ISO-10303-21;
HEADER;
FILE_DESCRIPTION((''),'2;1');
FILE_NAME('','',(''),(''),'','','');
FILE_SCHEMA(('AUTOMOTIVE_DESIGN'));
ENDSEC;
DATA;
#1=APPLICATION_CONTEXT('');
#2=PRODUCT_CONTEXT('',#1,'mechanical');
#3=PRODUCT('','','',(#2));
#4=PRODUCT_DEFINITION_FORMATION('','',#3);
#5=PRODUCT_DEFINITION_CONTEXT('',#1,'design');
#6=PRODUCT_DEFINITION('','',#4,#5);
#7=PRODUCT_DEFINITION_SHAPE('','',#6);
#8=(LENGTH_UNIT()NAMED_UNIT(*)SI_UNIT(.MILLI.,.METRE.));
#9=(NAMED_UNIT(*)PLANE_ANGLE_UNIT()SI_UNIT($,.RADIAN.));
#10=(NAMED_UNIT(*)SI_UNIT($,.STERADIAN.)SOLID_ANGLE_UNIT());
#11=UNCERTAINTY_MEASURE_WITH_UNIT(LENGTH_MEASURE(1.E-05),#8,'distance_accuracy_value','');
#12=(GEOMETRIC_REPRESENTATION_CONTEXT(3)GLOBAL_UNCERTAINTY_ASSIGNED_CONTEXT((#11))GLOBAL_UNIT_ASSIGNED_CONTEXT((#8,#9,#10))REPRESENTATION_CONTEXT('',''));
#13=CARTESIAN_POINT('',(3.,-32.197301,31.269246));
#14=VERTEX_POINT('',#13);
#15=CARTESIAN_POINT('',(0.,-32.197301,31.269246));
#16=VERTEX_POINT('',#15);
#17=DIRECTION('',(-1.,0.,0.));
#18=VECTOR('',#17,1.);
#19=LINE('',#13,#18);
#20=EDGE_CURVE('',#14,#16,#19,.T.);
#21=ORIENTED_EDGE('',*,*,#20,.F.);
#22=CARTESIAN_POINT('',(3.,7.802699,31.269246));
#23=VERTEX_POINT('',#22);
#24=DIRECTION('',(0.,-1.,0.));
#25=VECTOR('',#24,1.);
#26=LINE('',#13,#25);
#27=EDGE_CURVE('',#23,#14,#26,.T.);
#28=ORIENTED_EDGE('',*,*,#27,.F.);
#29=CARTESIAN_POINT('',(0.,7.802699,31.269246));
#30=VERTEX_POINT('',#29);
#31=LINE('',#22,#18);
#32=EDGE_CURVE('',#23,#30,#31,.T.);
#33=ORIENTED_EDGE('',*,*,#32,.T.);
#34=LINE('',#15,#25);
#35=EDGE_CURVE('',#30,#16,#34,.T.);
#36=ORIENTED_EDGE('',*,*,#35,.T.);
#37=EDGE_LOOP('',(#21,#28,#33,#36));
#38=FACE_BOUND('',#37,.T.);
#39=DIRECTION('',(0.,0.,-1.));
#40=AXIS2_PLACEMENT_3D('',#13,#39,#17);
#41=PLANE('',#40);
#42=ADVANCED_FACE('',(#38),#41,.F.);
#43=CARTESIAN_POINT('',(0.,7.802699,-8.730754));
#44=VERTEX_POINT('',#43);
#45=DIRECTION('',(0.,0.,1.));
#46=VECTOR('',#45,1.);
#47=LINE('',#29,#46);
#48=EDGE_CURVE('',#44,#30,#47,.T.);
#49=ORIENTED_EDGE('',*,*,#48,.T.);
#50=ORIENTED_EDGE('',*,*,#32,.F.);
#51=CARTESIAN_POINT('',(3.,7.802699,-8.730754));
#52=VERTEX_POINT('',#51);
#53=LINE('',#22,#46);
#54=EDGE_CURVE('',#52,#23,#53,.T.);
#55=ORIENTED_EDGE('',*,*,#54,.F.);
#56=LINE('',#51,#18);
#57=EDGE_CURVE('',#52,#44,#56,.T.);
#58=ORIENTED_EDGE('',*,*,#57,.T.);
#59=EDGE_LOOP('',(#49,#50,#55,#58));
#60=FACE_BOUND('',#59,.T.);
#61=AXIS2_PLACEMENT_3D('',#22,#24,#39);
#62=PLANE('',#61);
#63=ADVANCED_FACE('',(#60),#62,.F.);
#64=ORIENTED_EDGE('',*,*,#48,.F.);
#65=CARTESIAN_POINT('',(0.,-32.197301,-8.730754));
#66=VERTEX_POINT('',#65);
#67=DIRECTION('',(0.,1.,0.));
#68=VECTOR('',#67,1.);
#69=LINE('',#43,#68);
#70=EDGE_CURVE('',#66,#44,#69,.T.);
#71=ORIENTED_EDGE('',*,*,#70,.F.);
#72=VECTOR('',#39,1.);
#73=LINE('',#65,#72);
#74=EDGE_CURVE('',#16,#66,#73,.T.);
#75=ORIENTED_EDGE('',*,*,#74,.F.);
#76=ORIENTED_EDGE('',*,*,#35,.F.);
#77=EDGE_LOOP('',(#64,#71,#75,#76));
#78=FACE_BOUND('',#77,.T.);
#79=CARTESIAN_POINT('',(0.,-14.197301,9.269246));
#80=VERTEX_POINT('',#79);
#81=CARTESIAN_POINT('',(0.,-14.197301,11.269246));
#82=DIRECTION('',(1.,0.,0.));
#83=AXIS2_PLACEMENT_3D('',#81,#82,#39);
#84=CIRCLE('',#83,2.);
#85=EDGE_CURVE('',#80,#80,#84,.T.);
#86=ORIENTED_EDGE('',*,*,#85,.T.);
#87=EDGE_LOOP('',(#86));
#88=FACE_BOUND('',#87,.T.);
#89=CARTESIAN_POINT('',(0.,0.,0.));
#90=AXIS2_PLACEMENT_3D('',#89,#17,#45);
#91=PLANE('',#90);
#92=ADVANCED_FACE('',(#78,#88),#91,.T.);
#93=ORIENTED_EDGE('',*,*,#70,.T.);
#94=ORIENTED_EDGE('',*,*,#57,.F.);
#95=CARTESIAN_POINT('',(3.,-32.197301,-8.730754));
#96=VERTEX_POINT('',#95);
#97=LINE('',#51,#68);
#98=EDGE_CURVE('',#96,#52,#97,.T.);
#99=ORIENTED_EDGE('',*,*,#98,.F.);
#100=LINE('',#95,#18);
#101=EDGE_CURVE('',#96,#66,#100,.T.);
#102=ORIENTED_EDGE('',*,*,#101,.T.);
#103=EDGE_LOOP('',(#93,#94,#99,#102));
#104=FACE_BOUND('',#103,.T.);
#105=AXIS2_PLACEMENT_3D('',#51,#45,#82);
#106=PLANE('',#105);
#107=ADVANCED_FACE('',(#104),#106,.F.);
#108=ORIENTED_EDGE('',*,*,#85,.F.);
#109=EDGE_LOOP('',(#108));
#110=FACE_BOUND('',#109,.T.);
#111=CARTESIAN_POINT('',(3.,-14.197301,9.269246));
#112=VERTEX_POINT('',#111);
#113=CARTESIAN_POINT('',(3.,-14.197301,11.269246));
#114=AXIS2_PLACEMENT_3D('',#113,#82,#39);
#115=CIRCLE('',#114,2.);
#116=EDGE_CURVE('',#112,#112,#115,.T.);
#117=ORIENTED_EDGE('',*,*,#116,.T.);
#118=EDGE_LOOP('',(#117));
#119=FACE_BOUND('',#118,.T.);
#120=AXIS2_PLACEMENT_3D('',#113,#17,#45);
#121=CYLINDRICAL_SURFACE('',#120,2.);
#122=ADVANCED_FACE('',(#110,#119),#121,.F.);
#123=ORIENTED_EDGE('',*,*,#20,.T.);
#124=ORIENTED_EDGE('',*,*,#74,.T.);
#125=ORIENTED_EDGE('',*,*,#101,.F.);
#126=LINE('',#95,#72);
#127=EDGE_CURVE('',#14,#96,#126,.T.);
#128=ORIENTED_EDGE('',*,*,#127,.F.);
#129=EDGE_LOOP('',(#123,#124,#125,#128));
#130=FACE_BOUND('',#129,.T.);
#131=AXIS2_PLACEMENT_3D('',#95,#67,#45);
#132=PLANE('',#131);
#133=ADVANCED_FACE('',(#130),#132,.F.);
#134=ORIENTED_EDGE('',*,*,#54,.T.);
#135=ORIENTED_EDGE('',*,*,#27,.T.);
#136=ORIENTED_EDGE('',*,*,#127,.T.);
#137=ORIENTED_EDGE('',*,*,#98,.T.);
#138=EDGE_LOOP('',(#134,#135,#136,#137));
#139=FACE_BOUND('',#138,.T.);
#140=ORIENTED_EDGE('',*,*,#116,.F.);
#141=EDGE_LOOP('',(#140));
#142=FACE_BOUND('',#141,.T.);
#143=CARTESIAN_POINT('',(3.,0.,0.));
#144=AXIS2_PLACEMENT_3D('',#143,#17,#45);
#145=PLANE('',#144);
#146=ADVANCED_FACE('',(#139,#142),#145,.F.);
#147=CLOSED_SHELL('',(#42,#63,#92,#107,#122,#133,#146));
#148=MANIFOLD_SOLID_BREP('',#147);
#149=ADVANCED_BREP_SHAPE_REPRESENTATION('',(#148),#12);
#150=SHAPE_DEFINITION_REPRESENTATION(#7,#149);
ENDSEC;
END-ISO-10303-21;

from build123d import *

# Parameters (mm, degrees)
CROQUIS1_W              = 40
CROQUIS1_H              = 40
CROQUIS1_R              = 2
SALIENTE_EXTRUIR1_DEPTH = 3


with BuildPart() as part:
    # Croquis1 → Saliente-Extruir1 (new body)
    with BuildSketch(Plane(origin=(0, 0, 0), x_dir=(0, 0, -1), z_dir=(1, 0, 0))):
        with Locations((-11.269245759, -12.197301292)):
            Rectangle(CROQUIS1_W, CROQUIS1_H)
        with Locations((-11.269245759, -14.197301292)):
            Circle(CROQUIS1_R, mode=Mode.SUBTRACT)
    extrude(amount=SALIENTE_EXTRUIR1_DEPTH)


solid = part.part
